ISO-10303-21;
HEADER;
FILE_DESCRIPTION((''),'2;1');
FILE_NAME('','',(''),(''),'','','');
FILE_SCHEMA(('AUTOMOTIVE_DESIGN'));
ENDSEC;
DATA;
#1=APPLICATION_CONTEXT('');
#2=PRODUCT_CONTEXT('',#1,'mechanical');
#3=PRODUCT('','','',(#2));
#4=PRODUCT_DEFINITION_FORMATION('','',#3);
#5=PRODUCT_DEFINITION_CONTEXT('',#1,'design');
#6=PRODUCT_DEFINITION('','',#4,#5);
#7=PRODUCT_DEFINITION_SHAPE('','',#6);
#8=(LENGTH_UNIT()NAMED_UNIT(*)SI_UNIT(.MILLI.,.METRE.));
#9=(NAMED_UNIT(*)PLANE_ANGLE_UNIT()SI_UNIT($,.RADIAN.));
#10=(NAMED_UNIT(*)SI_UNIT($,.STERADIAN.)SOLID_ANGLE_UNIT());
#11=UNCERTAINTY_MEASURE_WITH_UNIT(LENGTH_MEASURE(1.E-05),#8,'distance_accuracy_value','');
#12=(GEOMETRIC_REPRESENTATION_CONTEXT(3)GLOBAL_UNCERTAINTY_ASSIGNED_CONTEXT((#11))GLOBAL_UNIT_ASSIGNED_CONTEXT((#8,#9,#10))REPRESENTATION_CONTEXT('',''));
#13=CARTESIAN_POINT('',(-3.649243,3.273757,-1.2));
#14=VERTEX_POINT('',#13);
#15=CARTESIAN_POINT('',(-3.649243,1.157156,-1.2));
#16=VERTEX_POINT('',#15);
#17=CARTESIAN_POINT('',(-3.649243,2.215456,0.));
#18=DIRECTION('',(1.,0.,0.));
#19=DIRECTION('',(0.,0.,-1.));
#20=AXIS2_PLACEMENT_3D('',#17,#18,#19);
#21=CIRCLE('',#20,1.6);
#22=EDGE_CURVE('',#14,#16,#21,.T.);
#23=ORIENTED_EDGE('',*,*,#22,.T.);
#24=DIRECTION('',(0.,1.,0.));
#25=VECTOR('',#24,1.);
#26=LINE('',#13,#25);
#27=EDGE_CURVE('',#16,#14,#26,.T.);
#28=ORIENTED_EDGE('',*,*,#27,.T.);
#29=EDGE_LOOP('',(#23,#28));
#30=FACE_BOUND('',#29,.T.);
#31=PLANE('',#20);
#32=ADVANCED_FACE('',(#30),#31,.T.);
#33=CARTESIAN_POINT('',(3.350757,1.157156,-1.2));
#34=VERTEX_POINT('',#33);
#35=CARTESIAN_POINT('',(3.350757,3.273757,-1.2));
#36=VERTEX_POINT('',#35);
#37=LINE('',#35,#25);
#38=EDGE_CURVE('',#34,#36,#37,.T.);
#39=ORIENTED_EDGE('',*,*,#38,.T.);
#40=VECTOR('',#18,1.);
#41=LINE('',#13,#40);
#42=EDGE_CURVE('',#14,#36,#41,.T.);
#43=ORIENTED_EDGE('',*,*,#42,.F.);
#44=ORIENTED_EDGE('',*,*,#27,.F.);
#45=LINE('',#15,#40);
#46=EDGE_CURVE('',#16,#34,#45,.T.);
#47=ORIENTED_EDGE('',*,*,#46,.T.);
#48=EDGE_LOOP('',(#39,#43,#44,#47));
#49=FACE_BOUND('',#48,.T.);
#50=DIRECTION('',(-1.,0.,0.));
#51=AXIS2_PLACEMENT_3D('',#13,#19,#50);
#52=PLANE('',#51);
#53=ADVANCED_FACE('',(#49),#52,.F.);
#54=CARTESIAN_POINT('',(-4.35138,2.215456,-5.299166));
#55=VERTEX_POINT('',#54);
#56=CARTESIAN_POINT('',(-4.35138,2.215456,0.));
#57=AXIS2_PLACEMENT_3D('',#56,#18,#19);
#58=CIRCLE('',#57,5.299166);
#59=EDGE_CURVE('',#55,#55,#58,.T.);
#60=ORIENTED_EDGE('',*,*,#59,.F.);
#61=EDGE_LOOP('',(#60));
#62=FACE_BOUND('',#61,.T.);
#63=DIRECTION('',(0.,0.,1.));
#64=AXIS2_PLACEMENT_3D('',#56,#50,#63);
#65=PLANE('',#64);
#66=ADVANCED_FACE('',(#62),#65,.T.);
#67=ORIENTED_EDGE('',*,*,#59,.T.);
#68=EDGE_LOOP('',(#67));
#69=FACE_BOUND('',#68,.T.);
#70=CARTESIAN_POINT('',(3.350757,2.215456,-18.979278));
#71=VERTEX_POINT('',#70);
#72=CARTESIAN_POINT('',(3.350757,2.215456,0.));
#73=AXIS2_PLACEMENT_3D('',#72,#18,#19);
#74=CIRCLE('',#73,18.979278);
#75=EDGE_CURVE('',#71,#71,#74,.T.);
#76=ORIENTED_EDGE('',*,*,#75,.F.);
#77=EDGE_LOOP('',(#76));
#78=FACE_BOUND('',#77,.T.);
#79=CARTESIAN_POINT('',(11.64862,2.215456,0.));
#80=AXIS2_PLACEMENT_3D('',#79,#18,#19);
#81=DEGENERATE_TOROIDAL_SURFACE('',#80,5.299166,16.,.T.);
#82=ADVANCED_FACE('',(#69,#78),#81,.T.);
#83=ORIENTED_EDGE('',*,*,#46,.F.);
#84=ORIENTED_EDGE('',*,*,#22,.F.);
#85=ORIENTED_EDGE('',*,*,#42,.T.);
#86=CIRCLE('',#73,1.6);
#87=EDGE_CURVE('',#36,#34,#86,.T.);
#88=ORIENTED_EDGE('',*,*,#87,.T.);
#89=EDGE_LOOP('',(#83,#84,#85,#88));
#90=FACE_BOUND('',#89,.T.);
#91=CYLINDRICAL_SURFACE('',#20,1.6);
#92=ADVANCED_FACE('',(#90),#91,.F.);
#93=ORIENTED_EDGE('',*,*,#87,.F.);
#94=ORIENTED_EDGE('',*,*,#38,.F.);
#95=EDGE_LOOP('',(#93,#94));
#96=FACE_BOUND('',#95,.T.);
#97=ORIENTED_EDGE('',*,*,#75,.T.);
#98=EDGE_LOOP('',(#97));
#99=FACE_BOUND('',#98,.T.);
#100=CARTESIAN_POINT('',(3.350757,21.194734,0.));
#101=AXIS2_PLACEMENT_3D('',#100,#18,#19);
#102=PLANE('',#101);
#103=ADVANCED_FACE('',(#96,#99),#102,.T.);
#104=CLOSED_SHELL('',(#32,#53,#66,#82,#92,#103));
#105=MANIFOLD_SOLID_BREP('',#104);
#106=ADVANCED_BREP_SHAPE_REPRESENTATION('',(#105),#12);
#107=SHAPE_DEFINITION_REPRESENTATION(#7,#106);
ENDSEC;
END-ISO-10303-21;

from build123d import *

# Parameters (mm, degrees)
CORTAR_EXTRUIR1_DEPTH = 7


with BuildPart() as part:
    # Croquis1 → Revolución2 (revolve)
    with BuildSketch(Plane.XY, mode=Mode.PRIVATE) as revoluci_n2_sk:
        with BuildLine():
            Line((3.350757259, 2.215456264), (-4.351379709, 2.215456264))
            Line((-4.351379709, 2.215456264), (-4.351379709, 7.514622195))
            ThreePointArc((-4.351379709, 7.514622195), (-2.293506672, 15.364277967), (3.350757259, 21.194734369))
            Line((3.350757259, 21.194734369), (3.350757259, 2.215456264))
        make_face()
    revolve(revoluci_n2_sk.sketch.rotate(Axis((3.350757259, 2.215456264, 0), (-1, 0, 0)), 90), axis=Axis((3.350757259, 2.215456264, 0), (-1, 0, 0)))

    # Croquis2 → Cortar-Extruir1 (cut)
    with BuildSketch(Plane(origin=(3.350757259, 0, 0), x_dir=(0, 0, -1), z_dir=(1, 0, 0))):
        with BuildLine():
            Line((1.2, 3.273756788), (1.2, 1.157155739))
            ThreePointArc((1.2, 1.157155739), (-1.6, 2.215456264), (1.2, 3.273756788))
        make_face()
    extrude(amount=-CORTAR_EXTRUIR1_DEPTH, mode=Mode.SUBTRACT)


solid = part.part
